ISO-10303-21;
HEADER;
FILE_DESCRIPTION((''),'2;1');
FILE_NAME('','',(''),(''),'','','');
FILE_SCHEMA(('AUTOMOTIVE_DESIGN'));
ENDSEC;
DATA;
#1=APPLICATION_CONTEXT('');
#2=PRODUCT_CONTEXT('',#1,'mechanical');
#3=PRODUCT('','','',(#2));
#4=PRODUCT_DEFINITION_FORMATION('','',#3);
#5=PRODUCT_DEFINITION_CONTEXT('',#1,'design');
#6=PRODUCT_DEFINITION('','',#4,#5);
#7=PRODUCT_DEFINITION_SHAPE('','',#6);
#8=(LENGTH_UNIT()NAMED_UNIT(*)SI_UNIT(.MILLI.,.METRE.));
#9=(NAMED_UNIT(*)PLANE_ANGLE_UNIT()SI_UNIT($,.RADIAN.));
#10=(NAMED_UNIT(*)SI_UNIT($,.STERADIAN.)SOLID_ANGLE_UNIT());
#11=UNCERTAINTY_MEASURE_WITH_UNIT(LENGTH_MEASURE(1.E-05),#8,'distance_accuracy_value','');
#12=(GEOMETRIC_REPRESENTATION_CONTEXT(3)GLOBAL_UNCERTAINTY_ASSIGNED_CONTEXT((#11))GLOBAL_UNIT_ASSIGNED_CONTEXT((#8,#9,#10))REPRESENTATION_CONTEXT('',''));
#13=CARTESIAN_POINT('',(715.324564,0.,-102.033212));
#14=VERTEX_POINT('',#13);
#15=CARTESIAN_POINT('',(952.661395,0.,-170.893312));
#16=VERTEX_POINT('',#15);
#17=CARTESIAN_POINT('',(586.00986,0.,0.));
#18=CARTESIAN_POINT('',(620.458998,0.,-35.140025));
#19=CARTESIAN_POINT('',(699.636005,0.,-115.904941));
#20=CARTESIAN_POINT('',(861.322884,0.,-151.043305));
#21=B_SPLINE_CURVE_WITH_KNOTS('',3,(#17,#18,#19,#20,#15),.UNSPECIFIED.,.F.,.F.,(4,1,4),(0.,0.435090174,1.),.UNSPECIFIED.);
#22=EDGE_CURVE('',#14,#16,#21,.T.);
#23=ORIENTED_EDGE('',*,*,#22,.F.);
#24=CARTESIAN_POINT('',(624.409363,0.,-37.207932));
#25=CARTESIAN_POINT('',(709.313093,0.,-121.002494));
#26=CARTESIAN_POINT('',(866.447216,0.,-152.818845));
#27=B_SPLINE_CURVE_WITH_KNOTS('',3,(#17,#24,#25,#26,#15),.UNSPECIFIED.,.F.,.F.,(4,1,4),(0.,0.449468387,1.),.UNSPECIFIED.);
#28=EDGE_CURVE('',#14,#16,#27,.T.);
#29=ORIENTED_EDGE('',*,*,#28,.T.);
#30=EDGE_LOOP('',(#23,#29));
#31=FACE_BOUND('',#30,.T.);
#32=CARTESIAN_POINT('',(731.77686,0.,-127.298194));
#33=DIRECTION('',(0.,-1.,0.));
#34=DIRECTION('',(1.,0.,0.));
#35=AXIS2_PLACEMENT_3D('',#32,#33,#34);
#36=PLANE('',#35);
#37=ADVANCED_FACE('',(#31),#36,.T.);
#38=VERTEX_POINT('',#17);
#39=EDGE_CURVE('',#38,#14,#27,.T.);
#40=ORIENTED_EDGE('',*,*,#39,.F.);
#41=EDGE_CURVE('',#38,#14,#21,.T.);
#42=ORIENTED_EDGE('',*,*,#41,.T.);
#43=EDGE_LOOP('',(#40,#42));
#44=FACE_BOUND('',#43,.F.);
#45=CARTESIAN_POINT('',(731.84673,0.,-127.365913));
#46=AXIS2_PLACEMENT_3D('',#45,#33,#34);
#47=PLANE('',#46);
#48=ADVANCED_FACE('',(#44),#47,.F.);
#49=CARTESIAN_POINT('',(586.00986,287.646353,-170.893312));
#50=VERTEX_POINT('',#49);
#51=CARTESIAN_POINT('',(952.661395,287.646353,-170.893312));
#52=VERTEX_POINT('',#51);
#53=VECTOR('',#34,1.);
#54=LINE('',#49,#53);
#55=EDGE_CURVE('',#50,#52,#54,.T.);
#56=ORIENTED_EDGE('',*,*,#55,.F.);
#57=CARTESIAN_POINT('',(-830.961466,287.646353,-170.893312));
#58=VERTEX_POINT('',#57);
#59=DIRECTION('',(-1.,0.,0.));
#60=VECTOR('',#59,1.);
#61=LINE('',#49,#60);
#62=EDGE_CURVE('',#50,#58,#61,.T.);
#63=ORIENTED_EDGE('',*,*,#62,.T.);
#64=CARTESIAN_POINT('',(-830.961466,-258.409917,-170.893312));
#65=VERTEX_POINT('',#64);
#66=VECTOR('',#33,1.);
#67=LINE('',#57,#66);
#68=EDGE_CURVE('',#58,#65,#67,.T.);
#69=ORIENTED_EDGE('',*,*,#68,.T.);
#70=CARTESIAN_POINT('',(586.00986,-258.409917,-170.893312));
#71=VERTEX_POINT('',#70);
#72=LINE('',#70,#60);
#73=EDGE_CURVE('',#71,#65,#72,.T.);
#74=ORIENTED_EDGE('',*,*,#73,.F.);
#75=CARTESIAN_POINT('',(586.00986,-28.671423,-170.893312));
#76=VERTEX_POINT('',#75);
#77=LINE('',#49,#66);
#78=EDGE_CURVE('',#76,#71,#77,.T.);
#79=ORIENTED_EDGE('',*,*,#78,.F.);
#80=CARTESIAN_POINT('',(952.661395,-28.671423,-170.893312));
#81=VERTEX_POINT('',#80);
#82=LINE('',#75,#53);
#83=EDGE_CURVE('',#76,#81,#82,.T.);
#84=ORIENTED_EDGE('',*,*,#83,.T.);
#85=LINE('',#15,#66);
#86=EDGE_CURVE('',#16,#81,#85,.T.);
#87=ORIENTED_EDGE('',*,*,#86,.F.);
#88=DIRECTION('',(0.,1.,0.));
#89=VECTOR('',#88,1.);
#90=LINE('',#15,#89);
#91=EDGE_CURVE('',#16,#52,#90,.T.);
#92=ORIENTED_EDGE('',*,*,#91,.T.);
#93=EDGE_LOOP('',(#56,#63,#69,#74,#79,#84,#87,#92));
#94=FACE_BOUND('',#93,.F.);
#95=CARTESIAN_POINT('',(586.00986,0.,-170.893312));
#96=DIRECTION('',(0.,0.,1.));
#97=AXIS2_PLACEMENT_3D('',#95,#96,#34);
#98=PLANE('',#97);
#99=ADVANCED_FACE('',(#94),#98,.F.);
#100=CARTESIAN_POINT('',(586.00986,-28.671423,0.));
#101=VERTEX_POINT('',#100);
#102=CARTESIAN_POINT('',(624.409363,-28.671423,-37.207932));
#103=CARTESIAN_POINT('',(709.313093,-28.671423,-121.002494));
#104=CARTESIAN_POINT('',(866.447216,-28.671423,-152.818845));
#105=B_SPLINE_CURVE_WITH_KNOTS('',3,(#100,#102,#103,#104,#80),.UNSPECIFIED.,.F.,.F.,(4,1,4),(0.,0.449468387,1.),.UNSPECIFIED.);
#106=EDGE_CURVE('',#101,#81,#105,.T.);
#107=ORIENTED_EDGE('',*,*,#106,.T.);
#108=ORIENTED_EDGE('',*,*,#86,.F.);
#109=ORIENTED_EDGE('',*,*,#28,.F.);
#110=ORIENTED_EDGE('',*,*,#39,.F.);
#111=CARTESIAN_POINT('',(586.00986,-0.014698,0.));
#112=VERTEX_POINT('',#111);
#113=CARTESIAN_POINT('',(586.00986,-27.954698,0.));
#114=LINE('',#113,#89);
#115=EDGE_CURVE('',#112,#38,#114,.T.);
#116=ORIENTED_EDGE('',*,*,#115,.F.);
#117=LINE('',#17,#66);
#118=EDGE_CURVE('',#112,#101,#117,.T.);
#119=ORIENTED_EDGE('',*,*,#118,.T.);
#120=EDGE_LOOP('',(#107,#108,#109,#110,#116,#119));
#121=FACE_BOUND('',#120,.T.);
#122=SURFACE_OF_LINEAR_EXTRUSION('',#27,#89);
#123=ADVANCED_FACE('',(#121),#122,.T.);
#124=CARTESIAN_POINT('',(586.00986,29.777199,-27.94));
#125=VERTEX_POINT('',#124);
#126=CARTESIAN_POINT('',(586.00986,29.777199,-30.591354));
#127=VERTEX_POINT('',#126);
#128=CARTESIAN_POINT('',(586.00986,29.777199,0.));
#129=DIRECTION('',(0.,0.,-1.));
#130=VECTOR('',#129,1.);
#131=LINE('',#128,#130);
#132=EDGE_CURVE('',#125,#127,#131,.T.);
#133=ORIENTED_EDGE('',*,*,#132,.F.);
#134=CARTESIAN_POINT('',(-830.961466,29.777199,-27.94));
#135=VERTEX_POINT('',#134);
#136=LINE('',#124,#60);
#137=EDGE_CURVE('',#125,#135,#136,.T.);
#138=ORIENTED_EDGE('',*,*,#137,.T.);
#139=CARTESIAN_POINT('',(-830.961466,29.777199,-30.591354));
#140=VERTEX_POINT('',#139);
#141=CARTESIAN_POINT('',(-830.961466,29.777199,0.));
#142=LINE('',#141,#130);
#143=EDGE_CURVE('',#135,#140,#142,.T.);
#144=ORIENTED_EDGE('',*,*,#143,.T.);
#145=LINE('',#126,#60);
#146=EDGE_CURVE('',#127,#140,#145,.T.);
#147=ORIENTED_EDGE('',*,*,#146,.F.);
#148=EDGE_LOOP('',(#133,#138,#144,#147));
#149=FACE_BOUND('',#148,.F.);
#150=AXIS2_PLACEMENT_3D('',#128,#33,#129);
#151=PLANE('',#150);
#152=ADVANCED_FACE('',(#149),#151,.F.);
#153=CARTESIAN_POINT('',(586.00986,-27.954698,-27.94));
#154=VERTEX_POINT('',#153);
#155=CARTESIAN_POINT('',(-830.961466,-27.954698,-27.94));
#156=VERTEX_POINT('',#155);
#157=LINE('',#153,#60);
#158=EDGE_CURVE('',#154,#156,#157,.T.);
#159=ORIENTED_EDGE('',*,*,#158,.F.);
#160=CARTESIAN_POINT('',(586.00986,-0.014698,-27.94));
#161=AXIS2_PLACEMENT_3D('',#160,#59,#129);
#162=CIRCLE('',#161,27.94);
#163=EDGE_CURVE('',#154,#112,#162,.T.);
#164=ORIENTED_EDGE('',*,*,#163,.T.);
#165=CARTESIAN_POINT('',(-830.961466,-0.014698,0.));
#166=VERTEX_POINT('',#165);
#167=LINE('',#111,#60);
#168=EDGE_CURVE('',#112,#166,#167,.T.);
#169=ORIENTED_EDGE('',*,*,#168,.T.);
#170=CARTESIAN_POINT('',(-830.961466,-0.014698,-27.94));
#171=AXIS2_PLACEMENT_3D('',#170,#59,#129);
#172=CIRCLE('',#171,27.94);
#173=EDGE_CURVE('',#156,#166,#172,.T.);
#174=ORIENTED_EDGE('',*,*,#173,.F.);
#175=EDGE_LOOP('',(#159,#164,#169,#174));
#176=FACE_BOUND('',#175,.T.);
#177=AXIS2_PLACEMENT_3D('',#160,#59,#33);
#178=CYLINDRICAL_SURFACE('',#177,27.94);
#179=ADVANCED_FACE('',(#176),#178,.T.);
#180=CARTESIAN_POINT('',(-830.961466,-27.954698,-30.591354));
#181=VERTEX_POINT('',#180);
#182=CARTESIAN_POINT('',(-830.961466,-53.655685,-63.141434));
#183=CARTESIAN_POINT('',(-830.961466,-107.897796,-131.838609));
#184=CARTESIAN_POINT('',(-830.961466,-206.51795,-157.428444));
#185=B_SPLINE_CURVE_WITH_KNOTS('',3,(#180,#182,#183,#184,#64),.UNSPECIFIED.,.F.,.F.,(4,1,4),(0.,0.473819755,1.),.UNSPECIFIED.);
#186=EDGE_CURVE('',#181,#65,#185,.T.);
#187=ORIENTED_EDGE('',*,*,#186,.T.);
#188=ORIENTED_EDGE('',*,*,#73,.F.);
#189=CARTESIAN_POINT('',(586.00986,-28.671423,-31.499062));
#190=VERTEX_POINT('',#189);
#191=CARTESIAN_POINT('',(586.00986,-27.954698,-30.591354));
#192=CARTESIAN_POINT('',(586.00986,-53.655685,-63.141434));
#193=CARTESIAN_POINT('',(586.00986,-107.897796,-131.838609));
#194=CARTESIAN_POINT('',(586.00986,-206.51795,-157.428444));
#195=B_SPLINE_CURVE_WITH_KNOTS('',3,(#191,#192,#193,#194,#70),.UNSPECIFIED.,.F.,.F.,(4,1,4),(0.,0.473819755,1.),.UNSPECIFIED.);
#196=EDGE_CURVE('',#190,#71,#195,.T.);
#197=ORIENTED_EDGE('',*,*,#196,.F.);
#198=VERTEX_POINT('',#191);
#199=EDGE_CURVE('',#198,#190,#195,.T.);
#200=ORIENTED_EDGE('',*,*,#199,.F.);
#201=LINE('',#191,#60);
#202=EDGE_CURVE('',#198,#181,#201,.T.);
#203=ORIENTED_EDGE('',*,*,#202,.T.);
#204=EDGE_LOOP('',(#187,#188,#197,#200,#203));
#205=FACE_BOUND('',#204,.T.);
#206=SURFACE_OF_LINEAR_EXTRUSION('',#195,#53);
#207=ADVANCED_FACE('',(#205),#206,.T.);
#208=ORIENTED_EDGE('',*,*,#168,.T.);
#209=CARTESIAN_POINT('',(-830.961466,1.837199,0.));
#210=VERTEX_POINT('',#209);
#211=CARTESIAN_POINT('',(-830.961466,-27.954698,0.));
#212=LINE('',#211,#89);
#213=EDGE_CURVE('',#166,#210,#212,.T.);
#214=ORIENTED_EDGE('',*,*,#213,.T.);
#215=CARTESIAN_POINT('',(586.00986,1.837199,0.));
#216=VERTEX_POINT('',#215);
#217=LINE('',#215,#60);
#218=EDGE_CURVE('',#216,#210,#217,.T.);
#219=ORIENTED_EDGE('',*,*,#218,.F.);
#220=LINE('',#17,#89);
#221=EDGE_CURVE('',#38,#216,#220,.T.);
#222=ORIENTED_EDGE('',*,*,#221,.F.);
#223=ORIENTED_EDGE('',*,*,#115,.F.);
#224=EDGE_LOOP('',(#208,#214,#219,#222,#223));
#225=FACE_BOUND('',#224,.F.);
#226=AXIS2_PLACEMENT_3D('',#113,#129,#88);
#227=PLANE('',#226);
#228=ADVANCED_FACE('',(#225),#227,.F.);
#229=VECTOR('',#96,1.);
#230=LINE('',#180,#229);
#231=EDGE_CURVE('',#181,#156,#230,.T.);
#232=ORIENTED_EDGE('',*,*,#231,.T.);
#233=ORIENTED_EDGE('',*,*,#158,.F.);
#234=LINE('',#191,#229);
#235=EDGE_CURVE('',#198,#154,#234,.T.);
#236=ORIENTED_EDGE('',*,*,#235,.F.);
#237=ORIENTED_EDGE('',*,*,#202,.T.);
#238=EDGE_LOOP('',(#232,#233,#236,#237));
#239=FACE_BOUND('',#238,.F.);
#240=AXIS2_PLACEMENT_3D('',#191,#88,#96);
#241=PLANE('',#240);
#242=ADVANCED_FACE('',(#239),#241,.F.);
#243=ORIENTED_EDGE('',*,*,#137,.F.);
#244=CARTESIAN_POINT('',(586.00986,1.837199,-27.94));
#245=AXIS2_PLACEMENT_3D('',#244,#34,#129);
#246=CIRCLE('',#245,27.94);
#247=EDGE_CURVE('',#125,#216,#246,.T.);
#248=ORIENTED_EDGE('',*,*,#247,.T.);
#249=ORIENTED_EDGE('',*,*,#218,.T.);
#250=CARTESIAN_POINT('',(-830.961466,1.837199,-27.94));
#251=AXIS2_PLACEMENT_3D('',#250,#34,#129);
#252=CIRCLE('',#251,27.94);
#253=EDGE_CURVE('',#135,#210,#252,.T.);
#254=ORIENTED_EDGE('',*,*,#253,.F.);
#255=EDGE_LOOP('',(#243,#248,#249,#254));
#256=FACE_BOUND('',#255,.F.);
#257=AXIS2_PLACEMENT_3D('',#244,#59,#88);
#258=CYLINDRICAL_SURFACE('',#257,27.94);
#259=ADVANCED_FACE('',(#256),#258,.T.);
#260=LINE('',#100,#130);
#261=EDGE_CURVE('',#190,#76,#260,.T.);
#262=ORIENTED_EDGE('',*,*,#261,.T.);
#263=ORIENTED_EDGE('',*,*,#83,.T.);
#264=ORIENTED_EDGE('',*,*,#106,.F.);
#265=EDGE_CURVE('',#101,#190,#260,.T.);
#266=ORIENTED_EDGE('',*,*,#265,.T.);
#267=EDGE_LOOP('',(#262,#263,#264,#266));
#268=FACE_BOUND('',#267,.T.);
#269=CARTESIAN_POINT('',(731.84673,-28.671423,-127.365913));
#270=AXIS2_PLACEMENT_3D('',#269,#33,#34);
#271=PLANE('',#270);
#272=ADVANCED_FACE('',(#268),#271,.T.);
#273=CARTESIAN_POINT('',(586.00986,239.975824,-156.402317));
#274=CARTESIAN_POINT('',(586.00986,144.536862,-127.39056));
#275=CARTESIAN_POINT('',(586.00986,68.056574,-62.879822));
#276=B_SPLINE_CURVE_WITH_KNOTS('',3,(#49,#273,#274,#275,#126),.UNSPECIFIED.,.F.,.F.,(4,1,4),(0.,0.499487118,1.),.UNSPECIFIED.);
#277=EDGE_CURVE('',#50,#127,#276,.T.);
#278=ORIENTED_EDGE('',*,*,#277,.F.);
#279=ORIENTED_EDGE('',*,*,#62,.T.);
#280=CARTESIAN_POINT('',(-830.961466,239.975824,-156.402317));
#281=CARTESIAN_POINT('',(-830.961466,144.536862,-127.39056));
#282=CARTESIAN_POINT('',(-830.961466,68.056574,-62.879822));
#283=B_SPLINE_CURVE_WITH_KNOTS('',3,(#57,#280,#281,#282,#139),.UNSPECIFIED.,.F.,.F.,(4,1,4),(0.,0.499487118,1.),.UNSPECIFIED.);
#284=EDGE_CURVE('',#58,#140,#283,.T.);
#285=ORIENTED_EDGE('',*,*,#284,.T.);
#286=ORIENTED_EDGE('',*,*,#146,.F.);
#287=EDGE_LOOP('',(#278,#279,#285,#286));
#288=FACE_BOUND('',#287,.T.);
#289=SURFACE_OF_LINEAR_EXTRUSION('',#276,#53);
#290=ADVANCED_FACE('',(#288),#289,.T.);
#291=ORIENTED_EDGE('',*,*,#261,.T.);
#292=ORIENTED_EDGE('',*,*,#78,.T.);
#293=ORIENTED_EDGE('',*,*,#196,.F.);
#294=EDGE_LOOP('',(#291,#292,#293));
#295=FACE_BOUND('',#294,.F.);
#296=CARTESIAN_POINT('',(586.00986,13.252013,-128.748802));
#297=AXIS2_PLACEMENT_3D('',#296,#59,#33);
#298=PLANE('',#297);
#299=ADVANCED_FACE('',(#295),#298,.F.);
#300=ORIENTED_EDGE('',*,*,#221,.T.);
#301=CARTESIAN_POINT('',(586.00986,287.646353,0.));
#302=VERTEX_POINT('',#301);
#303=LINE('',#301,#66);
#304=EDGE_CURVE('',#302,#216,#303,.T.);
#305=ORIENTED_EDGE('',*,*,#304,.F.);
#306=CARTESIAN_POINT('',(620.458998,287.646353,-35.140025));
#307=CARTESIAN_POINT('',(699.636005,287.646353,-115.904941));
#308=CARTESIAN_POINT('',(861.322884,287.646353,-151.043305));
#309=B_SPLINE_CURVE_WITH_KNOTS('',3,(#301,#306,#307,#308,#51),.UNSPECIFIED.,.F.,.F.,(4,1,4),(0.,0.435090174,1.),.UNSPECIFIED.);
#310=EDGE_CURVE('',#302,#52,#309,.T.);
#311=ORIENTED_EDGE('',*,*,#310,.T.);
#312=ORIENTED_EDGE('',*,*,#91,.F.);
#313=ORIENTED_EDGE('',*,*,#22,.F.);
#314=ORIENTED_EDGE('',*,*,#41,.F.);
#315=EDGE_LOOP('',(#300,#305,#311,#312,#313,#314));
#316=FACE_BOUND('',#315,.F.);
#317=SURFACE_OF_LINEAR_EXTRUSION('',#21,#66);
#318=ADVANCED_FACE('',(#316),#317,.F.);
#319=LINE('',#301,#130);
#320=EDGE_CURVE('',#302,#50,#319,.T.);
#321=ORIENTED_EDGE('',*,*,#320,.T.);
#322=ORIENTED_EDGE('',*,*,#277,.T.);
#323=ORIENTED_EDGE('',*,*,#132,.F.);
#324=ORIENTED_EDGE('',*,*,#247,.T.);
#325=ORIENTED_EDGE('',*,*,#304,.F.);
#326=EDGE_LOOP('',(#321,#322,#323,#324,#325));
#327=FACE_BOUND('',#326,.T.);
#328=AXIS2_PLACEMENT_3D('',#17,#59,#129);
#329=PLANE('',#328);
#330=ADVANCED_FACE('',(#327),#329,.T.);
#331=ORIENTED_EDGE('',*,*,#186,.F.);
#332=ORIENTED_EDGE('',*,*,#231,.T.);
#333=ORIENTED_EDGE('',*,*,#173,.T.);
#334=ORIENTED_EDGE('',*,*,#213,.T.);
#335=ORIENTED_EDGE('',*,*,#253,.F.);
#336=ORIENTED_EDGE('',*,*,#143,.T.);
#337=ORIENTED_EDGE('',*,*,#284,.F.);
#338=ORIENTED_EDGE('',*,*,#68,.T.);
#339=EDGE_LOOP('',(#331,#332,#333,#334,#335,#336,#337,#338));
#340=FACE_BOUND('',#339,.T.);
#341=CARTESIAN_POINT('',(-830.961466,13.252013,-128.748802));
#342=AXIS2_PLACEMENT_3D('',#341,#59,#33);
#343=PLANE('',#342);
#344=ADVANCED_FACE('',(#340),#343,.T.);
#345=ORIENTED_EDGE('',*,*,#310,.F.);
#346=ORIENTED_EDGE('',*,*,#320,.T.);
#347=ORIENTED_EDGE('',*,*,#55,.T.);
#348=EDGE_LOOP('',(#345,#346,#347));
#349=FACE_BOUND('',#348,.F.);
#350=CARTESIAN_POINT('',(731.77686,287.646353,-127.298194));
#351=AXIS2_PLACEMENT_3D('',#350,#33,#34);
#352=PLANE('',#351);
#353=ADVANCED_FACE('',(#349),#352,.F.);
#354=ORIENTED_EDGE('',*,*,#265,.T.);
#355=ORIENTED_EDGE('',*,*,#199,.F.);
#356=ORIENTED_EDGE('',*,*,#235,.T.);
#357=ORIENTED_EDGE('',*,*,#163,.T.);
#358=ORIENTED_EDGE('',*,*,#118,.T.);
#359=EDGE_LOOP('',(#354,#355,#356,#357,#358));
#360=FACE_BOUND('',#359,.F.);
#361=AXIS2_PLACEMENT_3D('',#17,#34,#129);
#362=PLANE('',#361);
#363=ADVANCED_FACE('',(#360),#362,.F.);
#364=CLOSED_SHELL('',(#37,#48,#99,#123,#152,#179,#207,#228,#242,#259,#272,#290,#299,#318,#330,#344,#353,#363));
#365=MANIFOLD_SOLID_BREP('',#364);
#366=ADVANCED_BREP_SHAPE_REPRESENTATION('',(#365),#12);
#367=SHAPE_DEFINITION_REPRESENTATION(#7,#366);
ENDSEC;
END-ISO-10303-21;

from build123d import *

# Parameters (mm, degrees)
F1_DEPTH = 287.6463532448
F3_DEPTH = 1416.9713258743
F4_R     = 27.94
F6_DEPTH = 28.6714229733


with BuildPart() as f1:
    # F0 (on Front) → F1 (new body)
    with BuildSketch(Plane.XZ):
        with BuildLine():
            Line((586.0098600388, -170.8933115005), (952.6613950729, -170.8933115005))
            add(Edge.make_bspline(
                [(586.0098600388, 0), (620.4589978435, -35.1400250661), (699.6360054649, -115.9049409737), (861.3228837136, -151.043304619), (952.6613950729, -170.8933115005)],
                knots=[0, 0, 0, 0, 0.4350901742, 1, 1, 1, 1], degree=3))
            Line((586.0098600388, 0), (586.0098600388, -170.8933115005))
        make_face()
    extrude(amount=-F1_DEPTH)

    # F2 (on face) → F3 (join)
    with BuildSketch(Plane(origin=(586.0098600388, 0, 0), x_dir=(0, -1, 0), z_dir=(-1, 0, 0))):
        with BuildLine():
            Line((-287.6463532448, -170.8933115005), (0, -170.8933115005))
            Line((0, -170.8933115005), (258.4099173546, -170.8933115005))
            add(Edge.make_bspline(
                [(27.9546976089, -30.5913537741), (53.6556852067, -63.1414344295), (107.897795811, -131.8386094304), (206.5179496748, -157.4284439302), (258.4099173546, -170.8933115005)],
                knots=[0, 0, 0, 0, 0.4738197545, 1, 1, 1, 1], degree=3))
            Line((27.9546976089, -30.5913537741), (27.9546976089, 0))
            Line((27.9546976089, 0), (-29.7771990299, 0))
            Line((-29.7771990299, 0), (-29.7771990299, -30.5913537741))
            add(Edge.make_bspline(
                [(-287.6463532448, -170.8933115005), (-239.9758235568, -156.4023167375), (-144.5368623868, -127.3905600389), (-68.0565740127, -62.8798215261), (-29.7771990299, -30.5913537741)],
                knots=[0, 0, 0, 0, 0.499487118, 1, 1, 1, 1], degree=3))
        make_face()
    extrude(amount=F3_DEPTH)

    # F4
    f4_edges = [f1.edges().sort_by_distance(p)[0] for p in [
        (-122.475803, -27.954698, 0),
        (-122.475803, 29.777199, 0),
    ]]
    fillet(f4_edges, radius=F4_R)

    # F5 (on face) → F6 (join)
    with BuildSketch(Plane.XZ):
        with BuildLine():
            Line((586.0098600388, -170.8933115005), (952.6613950729, -170.8933115005))
            add(Edge.make_bspline(
                [(586.0098600388, 0), (624.4093625475, -37.2079323351), (709.3130934728, -121.0024943877), (866.4472155814, -152.8188445982), (952.6613950729, -170.8933115005)],
                knots=[0, 0, 0, 0, 0.449468387, 1, 1, 1, 1], degree=3))
            Line((586.0098600388, 0), (586.0098600388, -170.8933115005))
        make_face()
    extrude(amount=F6_DEPTH)


solid = f1.part
